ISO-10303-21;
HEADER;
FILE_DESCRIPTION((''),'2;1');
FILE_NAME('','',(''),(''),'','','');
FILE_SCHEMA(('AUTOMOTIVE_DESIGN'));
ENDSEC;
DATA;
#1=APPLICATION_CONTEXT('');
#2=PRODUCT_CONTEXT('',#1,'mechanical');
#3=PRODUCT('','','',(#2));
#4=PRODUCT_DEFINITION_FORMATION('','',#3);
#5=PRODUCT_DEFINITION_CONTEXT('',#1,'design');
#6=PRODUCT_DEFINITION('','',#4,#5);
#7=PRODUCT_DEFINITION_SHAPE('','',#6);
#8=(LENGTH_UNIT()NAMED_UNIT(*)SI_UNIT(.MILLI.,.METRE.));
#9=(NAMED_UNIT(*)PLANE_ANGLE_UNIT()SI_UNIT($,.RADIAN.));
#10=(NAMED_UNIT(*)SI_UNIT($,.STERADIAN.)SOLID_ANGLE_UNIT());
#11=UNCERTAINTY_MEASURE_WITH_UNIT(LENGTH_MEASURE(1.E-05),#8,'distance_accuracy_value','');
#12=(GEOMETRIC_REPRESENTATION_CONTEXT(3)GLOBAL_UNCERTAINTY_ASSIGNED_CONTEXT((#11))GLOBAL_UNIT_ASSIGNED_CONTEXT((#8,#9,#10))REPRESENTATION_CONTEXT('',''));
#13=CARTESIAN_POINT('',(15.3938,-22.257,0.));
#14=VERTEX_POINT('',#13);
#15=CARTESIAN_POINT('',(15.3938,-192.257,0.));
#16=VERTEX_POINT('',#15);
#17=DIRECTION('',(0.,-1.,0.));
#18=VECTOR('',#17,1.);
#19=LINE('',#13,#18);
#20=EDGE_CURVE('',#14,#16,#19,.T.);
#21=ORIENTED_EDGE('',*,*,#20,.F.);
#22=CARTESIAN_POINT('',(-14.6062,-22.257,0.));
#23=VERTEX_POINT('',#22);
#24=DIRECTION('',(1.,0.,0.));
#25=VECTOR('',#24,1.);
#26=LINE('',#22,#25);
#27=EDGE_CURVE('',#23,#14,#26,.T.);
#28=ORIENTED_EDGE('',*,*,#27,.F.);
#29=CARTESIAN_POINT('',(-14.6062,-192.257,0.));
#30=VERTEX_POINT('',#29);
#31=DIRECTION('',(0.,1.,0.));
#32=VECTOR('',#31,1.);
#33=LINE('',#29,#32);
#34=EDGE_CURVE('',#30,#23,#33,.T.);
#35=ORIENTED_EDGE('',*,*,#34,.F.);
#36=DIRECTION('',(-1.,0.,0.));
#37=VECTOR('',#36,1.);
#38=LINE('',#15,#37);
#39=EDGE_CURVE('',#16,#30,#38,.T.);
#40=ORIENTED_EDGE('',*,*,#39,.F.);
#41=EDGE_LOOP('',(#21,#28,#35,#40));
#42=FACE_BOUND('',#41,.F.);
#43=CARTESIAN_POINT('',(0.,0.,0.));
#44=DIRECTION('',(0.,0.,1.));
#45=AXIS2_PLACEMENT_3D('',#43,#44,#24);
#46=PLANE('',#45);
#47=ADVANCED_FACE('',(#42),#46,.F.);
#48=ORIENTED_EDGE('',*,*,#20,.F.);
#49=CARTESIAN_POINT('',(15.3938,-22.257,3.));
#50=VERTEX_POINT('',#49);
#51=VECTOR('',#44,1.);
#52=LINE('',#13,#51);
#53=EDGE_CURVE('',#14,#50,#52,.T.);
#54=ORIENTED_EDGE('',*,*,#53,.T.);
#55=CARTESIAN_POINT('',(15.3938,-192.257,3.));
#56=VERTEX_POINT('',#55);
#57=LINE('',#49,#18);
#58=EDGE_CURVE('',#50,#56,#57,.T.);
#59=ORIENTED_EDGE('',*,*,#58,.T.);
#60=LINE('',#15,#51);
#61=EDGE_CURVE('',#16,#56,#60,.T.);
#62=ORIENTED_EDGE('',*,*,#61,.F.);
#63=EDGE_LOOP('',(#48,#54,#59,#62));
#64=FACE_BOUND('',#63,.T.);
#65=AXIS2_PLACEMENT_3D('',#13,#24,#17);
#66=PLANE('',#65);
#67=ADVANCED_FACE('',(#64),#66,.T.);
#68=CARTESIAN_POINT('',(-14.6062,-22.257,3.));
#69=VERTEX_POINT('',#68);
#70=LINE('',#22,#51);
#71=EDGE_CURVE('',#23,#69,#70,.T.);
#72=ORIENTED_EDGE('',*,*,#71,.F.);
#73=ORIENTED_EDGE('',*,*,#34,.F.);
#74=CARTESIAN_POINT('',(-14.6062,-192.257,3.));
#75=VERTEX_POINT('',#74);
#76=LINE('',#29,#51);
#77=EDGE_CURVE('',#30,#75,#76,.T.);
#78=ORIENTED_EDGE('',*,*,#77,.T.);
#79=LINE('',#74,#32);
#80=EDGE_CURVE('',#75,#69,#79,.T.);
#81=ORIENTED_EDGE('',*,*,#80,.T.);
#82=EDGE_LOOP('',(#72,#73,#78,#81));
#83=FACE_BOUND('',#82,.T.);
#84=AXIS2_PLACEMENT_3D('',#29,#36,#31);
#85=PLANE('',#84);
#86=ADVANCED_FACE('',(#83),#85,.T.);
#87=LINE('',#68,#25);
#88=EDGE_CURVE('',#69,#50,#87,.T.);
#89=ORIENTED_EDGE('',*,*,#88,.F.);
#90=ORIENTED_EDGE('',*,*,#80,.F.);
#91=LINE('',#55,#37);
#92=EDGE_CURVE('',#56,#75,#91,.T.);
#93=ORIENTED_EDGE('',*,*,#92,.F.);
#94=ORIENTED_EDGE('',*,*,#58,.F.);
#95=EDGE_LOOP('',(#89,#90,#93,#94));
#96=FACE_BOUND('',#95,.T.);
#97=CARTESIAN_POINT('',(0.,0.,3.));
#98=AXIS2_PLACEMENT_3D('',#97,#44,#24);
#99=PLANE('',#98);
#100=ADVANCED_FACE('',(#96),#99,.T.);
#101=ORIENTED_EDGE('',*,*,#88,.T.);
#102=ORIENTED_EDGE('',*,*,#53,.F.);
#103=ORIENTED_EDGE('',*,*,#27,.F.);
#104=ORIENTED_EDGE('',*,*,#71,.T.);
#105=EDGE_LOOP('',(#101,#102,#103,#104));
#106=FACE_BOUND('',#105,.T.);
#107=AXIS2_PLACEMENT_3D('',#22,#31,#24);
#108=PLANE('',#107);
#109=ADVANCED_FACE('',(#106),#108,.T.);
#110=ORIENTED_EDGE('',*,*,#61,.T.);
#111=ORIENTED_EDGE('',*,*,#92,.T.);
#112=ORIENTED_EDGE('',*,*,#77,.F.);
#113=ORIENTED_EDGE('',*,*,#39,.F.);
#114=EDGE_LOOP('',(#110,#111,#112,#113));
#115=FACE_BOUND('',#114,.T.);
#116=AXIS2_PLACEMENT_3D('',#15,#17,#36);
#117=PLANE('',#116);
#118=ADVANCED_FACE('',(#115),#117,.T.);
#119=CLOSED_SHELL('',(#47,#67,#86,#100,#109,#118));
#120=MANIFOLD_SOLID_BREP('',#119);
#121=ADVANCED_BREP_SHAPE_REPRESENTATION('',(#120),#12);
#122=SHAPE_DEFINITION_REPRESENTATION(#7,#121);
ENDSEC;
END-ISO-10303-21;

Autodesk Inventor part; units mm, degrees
ref_plane "YZ Plane" through (0, 0, 0) normal (1, 0, 0) x (0, 1, 0)
ref_plane "XZ Plane" through (0, 0, 0) normal (0, 1, 0) x (-1, 0, 0)
ref_plane "XY Plane" through (0, 0, 0) normal (0, 0, 1) x (1, 0, 0)
sketch "スケッチ1" plane through (0, 0, 0) normal (0, 0, 1) x (1, 0, 0)
  line L0 (-14.6062, -22.257) -> (15.3938, -22.257)
  line L1 (15.3938, -22.257) -> (15.3938, -192.257)
  line L2 (15.3938, -192.257) -> (-14.6062, -192.257)
  line L3 (-14.6062, -192.257) -> (-14.6062, -22.257)
  point P0 (0, 0)
  dimension "d0" = 30
  dimension "d1" = 170
extrude "押し出し1" add sketch "スケッチ1" along normal blind 3
